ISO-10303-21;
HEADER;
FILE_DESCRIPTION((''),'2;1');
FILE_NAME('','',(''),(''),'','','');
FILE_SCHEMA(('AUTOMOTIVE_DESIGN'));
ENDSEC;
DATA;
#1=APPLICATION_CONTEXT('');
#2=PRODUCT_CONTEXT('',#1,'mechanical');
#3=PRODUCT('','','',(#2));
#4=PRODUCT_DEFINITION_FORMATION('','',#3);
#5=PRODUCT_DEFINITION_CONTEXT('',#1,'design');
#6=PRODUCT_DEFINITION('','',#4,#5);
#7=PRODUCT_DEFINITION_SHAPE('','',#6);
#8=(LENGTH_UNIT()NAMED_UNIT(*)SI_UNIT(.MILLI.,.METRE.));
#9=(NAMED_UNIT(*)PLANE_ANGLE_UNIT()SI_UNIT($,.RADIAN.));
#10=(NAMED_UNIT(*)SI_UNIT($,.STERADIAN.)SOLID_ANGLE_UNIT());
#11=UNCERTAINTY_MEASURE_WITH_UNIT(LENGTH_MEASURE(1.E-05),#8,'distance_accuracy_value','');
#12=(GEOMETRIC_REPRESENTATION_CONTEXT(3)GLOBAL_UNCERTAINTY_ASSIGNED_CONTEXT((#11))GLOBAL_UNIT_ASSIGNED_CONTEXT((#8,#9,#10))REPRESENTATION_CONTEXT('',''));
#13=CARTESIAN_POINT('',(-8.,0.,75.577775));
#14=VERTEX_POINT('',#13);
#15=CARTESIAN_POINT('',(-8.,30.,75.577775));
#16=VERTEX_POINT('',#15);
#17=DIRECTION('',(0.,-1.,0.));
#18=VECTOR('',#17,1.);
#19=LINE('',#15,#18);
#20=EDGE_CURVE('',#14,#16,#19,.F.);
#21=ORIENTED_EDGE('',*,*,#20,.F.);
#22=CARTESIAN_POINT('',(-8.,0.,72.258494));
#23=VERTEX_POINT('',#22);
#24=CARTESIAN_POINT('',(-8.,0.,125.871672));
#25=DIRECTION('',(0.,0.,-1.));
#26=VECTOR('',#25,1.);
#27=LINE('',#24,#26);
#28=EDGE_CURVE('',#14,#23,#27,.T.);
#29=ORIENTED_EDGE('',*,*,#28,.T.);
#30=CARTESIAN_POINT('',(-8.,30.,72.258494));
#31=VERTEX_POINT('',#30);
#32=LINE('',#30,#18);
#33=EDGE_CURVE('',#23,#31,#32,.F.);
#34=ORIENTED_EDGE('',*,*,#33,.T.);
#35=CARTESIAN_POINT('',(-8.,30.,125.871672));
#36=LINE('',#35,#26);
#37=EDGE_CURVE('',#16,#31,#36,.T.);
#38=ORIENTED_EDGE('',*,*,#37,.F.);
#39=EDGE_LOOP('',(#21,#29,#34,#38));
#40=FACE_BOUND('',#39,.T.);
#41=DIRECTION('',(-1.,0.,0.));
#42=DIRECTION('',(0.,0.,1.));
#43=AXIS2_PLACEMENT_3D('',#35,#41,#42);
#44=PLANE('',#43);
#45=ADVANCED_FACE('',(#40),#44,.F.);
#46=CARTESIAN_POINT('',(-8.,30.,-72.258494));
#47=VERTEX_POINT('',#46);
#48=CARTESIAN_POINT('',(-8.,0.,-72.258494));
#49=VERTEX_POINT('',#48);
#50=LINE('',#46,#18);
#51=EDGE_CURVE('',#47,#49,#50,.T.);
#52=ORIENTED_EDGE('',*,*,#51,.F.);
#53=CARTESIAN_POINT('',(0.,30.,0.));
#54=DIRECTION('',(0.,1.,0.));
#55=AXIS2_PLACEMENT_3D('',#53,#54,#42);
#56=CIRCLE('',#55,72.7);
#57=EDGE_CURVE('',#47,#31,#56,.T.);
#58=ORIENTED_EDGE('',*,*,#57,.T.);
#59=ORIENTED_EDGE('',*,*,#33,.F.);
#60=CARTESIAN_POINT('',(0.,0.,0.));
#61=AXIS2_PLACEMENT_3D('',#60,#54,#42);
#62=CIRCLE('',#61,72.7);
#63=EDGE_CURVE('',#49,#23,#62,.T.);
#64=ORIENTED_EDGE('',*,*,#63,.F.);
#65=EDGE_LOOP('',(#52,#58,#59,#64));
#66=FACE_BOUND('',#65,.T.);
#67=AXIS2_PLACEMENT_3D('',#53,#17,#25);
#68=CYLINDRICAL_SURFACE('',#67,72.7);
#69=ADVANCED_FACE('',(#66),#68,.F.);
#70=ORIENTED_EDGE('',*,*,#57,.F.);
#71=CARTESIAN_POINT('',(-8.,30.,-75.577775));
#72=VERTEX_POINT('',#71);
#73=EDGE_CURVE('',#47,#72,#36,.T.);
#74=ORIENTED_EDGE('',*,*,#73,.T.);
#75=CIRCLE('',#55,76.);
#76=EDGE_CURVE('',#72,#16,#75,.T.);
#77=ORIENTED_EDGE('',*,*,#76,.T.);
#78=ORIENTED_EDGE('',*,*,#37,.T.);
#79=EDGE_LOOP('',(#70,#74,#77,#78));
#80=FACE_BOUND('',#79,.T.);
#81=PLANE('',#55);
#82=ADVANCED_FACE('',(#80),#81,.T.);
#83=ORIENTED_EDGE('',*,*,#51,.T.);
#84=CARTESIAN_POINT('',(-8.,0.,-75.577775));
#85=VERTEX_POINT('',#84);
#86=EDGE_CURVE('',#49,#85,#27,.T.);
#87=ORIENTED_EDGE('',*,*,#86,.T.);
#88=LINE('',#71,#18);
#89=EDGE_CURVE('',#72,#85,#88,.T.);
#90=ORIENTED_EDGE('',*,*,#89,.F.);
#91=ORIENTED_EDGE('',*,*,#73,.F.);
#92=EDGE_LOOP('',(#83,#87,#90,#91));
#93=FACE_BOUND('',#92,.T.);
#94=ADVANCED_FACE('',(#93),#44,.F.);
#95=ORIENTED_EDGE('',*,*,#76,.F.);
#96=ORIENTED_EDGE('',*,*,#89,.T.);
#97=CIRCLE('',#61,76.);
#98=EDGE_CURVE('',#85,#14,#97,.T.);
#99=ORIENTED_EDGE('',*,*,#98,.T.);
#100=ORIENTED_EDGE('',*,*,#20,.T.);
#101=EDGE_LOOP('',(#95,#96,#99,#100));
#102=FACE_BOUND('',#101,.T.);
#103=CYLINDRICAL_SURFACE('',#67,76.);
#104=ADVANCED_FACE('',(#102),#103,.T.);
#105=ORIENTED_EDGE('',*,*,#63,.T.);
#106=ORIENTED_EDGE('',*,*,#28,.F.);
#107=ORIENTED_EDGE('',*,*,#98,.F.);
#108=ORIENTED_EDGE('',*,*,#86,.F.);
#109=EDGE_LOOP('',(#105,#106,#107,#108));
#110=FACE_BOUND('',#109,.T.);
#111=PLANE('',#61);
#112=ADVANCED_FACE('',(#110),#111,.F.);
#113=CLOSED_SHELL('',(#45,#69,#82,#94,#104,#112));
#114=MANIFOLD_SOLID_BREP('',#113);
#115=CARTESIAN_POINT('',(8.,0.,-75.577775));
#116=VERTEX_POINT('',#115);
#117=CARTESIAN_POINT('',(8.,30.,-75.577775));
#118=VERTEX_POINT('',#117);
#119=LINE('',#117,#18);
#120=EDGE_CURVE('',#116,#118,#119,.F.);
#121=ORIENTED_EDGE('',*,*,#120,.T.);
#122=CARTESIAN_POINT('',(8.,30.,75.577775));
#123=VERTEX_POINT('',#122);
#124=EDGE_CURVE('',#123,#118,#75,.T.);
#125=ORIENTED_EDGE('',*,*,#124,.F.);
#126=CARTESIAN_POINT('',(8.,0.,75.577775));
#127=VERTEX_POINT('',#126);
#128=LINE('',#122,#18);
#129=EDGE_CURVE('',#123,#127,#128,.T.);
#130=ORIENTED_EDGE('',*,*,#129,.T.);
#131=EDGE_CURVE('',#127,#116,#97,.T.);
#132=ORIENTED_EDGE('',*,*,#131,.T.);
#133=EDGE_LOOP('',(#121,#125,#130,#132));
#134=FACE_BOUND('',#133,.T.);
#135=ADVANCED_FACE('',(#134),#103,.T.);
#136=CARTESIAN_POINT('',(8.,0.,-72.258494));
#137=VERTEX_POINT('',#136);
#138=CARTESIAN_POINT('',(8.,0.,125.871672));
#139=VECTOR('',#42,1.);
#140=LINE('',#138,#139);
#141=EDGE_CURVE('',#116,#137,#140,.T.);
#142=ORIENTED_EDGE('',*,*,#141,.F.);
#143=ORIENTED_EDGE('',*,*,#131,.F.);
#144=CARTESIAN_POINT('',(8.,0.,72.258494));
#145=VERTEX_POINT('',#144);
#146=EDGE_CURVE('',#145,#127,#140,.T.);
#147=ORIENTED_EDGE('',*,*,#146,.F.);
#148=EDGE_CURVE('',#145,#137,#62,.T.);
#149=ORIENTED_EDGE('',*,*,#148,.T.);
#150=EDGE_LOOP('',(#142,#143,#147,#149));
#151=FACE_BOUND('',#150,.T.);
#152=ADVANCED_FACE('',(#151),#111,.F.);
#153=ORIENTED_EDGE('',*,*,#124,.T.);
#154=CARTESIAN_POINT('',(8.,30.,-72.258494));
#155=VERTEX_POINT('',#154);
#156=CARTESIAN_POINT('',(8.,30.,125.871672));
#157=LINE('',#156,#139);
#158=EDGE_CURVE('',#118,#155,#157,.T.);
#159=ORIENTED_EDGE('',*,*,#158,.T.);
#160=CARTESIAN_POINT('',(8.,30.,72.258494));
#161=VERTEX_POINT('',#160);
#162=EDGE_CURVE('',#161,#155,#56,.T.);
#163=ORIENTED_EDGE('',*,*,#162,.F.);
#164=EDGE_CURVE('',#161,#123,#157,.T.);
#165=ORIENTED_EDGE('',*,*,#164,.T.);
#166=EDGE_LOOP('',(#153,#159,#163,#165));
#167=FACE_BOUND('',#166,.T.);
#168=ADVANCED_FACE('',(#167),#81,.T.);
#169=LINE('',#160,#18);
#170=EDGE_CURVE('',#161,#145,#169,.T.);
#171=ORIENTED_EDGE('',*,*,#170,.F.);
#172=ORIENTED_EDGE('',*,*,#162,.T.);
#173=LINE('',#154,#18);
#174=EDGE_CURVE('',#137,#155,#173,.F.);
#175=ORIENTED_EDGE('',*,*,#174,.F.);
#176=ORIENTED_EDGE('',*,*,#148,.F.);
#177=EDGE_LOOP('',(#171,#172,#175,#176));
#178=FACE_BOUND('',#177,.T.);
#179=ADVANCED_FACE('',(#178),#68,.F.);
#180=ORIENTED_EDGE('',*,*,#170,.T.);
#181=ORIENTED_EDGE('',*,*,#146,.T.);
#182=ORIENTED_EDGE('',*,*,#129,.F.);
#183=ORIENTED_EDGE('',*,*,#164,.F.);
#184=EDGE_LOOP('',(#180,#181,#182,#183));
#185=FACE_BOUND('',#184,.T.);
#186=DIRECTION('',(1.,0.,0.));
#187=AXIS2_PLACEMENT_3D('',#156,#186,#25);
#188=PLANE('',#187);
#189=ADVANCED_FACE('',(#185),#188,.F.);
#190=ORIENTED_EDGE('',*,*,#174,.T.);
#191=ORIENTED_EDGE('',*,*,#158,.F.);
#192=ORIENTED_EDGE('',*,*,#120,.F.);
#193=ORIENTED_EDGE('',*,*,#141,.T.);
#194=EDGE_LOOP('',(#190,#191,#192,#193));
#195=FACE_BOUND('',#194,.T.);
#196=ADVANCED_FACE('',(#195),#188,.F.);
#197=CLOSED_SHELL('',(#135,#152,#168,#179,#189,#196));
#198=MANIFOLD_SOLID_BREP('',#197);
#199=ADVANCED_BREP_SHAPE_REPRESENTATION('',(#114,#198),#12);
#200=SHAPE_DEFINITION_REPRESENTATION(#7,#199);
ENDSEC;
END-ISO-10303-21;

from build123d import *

# Parameters (mm, degrees)
ESQUISSE1_R             = 76
ESQUISSE1_R_2           = 72.7
BOSS_EXTRU_1_DEPTH      = 30
ESQUISSE2_W             = 16
ESQUISSE2_H             = 207.49820715
ENL_V_MAT_EXTRU_1_DEPTH = 112.588529877


with BuildPart() as part:
    # Esquisse1 → Boss.-Extru.1 (new body)
    with BuildSketch(Plane(origin=(0, 0, 0), x_dir=(1, 0, 0), z_dir=(0, 1, 0))):
        with Locations(Location((0, 0, 0), (0, 0, 270))):
            Circle(ESQUISSE1_R)
        with Locations(Location((0, 0, 0), (0, 0, 270))):
            Circle(ESQUISSE1_R_2, mode=Mode.SUBTRACT)
    extrude(amount=BOSS_EXTRU_1_DEPTH)

    # Esquisse2 → Enlèv. mat.-Extru.1 (cut, through all)
    with BuildSketch(Plane.XZ):
        with Locations((0, 22.122568389)):
            Rectangle(ESQUISSE2_W, ESQUISSE2_H)
    extrude(amount=-ENL_V_MAT_EXTRU_1_DEPTH, mode=Mode.SUBTRACT)


with BuildPart() as enl_v_mat_extru_1_piece_1:
    # of the separate pieces the step leaves, piece 1, a body of its own (enl_v_mat_extru_1_pieces)
    add(part.part.solids().sort_by_distance((8, 0, 75.577774511))[0])


with BuildPart() as enl_v_mat_extru_1_piece_2:
    # of the separate pieces the step leaves, piece 2, a body of its own (enl_v_mat_extru_1_pieces)
    add(part.part.solids().sort_by_distance((-8, 0, -75.577774511))[0])


solid = Compound([enl_v_mat_extru_1_piece_1.part, enl_v_mat_extru_1_piece_2.part])
